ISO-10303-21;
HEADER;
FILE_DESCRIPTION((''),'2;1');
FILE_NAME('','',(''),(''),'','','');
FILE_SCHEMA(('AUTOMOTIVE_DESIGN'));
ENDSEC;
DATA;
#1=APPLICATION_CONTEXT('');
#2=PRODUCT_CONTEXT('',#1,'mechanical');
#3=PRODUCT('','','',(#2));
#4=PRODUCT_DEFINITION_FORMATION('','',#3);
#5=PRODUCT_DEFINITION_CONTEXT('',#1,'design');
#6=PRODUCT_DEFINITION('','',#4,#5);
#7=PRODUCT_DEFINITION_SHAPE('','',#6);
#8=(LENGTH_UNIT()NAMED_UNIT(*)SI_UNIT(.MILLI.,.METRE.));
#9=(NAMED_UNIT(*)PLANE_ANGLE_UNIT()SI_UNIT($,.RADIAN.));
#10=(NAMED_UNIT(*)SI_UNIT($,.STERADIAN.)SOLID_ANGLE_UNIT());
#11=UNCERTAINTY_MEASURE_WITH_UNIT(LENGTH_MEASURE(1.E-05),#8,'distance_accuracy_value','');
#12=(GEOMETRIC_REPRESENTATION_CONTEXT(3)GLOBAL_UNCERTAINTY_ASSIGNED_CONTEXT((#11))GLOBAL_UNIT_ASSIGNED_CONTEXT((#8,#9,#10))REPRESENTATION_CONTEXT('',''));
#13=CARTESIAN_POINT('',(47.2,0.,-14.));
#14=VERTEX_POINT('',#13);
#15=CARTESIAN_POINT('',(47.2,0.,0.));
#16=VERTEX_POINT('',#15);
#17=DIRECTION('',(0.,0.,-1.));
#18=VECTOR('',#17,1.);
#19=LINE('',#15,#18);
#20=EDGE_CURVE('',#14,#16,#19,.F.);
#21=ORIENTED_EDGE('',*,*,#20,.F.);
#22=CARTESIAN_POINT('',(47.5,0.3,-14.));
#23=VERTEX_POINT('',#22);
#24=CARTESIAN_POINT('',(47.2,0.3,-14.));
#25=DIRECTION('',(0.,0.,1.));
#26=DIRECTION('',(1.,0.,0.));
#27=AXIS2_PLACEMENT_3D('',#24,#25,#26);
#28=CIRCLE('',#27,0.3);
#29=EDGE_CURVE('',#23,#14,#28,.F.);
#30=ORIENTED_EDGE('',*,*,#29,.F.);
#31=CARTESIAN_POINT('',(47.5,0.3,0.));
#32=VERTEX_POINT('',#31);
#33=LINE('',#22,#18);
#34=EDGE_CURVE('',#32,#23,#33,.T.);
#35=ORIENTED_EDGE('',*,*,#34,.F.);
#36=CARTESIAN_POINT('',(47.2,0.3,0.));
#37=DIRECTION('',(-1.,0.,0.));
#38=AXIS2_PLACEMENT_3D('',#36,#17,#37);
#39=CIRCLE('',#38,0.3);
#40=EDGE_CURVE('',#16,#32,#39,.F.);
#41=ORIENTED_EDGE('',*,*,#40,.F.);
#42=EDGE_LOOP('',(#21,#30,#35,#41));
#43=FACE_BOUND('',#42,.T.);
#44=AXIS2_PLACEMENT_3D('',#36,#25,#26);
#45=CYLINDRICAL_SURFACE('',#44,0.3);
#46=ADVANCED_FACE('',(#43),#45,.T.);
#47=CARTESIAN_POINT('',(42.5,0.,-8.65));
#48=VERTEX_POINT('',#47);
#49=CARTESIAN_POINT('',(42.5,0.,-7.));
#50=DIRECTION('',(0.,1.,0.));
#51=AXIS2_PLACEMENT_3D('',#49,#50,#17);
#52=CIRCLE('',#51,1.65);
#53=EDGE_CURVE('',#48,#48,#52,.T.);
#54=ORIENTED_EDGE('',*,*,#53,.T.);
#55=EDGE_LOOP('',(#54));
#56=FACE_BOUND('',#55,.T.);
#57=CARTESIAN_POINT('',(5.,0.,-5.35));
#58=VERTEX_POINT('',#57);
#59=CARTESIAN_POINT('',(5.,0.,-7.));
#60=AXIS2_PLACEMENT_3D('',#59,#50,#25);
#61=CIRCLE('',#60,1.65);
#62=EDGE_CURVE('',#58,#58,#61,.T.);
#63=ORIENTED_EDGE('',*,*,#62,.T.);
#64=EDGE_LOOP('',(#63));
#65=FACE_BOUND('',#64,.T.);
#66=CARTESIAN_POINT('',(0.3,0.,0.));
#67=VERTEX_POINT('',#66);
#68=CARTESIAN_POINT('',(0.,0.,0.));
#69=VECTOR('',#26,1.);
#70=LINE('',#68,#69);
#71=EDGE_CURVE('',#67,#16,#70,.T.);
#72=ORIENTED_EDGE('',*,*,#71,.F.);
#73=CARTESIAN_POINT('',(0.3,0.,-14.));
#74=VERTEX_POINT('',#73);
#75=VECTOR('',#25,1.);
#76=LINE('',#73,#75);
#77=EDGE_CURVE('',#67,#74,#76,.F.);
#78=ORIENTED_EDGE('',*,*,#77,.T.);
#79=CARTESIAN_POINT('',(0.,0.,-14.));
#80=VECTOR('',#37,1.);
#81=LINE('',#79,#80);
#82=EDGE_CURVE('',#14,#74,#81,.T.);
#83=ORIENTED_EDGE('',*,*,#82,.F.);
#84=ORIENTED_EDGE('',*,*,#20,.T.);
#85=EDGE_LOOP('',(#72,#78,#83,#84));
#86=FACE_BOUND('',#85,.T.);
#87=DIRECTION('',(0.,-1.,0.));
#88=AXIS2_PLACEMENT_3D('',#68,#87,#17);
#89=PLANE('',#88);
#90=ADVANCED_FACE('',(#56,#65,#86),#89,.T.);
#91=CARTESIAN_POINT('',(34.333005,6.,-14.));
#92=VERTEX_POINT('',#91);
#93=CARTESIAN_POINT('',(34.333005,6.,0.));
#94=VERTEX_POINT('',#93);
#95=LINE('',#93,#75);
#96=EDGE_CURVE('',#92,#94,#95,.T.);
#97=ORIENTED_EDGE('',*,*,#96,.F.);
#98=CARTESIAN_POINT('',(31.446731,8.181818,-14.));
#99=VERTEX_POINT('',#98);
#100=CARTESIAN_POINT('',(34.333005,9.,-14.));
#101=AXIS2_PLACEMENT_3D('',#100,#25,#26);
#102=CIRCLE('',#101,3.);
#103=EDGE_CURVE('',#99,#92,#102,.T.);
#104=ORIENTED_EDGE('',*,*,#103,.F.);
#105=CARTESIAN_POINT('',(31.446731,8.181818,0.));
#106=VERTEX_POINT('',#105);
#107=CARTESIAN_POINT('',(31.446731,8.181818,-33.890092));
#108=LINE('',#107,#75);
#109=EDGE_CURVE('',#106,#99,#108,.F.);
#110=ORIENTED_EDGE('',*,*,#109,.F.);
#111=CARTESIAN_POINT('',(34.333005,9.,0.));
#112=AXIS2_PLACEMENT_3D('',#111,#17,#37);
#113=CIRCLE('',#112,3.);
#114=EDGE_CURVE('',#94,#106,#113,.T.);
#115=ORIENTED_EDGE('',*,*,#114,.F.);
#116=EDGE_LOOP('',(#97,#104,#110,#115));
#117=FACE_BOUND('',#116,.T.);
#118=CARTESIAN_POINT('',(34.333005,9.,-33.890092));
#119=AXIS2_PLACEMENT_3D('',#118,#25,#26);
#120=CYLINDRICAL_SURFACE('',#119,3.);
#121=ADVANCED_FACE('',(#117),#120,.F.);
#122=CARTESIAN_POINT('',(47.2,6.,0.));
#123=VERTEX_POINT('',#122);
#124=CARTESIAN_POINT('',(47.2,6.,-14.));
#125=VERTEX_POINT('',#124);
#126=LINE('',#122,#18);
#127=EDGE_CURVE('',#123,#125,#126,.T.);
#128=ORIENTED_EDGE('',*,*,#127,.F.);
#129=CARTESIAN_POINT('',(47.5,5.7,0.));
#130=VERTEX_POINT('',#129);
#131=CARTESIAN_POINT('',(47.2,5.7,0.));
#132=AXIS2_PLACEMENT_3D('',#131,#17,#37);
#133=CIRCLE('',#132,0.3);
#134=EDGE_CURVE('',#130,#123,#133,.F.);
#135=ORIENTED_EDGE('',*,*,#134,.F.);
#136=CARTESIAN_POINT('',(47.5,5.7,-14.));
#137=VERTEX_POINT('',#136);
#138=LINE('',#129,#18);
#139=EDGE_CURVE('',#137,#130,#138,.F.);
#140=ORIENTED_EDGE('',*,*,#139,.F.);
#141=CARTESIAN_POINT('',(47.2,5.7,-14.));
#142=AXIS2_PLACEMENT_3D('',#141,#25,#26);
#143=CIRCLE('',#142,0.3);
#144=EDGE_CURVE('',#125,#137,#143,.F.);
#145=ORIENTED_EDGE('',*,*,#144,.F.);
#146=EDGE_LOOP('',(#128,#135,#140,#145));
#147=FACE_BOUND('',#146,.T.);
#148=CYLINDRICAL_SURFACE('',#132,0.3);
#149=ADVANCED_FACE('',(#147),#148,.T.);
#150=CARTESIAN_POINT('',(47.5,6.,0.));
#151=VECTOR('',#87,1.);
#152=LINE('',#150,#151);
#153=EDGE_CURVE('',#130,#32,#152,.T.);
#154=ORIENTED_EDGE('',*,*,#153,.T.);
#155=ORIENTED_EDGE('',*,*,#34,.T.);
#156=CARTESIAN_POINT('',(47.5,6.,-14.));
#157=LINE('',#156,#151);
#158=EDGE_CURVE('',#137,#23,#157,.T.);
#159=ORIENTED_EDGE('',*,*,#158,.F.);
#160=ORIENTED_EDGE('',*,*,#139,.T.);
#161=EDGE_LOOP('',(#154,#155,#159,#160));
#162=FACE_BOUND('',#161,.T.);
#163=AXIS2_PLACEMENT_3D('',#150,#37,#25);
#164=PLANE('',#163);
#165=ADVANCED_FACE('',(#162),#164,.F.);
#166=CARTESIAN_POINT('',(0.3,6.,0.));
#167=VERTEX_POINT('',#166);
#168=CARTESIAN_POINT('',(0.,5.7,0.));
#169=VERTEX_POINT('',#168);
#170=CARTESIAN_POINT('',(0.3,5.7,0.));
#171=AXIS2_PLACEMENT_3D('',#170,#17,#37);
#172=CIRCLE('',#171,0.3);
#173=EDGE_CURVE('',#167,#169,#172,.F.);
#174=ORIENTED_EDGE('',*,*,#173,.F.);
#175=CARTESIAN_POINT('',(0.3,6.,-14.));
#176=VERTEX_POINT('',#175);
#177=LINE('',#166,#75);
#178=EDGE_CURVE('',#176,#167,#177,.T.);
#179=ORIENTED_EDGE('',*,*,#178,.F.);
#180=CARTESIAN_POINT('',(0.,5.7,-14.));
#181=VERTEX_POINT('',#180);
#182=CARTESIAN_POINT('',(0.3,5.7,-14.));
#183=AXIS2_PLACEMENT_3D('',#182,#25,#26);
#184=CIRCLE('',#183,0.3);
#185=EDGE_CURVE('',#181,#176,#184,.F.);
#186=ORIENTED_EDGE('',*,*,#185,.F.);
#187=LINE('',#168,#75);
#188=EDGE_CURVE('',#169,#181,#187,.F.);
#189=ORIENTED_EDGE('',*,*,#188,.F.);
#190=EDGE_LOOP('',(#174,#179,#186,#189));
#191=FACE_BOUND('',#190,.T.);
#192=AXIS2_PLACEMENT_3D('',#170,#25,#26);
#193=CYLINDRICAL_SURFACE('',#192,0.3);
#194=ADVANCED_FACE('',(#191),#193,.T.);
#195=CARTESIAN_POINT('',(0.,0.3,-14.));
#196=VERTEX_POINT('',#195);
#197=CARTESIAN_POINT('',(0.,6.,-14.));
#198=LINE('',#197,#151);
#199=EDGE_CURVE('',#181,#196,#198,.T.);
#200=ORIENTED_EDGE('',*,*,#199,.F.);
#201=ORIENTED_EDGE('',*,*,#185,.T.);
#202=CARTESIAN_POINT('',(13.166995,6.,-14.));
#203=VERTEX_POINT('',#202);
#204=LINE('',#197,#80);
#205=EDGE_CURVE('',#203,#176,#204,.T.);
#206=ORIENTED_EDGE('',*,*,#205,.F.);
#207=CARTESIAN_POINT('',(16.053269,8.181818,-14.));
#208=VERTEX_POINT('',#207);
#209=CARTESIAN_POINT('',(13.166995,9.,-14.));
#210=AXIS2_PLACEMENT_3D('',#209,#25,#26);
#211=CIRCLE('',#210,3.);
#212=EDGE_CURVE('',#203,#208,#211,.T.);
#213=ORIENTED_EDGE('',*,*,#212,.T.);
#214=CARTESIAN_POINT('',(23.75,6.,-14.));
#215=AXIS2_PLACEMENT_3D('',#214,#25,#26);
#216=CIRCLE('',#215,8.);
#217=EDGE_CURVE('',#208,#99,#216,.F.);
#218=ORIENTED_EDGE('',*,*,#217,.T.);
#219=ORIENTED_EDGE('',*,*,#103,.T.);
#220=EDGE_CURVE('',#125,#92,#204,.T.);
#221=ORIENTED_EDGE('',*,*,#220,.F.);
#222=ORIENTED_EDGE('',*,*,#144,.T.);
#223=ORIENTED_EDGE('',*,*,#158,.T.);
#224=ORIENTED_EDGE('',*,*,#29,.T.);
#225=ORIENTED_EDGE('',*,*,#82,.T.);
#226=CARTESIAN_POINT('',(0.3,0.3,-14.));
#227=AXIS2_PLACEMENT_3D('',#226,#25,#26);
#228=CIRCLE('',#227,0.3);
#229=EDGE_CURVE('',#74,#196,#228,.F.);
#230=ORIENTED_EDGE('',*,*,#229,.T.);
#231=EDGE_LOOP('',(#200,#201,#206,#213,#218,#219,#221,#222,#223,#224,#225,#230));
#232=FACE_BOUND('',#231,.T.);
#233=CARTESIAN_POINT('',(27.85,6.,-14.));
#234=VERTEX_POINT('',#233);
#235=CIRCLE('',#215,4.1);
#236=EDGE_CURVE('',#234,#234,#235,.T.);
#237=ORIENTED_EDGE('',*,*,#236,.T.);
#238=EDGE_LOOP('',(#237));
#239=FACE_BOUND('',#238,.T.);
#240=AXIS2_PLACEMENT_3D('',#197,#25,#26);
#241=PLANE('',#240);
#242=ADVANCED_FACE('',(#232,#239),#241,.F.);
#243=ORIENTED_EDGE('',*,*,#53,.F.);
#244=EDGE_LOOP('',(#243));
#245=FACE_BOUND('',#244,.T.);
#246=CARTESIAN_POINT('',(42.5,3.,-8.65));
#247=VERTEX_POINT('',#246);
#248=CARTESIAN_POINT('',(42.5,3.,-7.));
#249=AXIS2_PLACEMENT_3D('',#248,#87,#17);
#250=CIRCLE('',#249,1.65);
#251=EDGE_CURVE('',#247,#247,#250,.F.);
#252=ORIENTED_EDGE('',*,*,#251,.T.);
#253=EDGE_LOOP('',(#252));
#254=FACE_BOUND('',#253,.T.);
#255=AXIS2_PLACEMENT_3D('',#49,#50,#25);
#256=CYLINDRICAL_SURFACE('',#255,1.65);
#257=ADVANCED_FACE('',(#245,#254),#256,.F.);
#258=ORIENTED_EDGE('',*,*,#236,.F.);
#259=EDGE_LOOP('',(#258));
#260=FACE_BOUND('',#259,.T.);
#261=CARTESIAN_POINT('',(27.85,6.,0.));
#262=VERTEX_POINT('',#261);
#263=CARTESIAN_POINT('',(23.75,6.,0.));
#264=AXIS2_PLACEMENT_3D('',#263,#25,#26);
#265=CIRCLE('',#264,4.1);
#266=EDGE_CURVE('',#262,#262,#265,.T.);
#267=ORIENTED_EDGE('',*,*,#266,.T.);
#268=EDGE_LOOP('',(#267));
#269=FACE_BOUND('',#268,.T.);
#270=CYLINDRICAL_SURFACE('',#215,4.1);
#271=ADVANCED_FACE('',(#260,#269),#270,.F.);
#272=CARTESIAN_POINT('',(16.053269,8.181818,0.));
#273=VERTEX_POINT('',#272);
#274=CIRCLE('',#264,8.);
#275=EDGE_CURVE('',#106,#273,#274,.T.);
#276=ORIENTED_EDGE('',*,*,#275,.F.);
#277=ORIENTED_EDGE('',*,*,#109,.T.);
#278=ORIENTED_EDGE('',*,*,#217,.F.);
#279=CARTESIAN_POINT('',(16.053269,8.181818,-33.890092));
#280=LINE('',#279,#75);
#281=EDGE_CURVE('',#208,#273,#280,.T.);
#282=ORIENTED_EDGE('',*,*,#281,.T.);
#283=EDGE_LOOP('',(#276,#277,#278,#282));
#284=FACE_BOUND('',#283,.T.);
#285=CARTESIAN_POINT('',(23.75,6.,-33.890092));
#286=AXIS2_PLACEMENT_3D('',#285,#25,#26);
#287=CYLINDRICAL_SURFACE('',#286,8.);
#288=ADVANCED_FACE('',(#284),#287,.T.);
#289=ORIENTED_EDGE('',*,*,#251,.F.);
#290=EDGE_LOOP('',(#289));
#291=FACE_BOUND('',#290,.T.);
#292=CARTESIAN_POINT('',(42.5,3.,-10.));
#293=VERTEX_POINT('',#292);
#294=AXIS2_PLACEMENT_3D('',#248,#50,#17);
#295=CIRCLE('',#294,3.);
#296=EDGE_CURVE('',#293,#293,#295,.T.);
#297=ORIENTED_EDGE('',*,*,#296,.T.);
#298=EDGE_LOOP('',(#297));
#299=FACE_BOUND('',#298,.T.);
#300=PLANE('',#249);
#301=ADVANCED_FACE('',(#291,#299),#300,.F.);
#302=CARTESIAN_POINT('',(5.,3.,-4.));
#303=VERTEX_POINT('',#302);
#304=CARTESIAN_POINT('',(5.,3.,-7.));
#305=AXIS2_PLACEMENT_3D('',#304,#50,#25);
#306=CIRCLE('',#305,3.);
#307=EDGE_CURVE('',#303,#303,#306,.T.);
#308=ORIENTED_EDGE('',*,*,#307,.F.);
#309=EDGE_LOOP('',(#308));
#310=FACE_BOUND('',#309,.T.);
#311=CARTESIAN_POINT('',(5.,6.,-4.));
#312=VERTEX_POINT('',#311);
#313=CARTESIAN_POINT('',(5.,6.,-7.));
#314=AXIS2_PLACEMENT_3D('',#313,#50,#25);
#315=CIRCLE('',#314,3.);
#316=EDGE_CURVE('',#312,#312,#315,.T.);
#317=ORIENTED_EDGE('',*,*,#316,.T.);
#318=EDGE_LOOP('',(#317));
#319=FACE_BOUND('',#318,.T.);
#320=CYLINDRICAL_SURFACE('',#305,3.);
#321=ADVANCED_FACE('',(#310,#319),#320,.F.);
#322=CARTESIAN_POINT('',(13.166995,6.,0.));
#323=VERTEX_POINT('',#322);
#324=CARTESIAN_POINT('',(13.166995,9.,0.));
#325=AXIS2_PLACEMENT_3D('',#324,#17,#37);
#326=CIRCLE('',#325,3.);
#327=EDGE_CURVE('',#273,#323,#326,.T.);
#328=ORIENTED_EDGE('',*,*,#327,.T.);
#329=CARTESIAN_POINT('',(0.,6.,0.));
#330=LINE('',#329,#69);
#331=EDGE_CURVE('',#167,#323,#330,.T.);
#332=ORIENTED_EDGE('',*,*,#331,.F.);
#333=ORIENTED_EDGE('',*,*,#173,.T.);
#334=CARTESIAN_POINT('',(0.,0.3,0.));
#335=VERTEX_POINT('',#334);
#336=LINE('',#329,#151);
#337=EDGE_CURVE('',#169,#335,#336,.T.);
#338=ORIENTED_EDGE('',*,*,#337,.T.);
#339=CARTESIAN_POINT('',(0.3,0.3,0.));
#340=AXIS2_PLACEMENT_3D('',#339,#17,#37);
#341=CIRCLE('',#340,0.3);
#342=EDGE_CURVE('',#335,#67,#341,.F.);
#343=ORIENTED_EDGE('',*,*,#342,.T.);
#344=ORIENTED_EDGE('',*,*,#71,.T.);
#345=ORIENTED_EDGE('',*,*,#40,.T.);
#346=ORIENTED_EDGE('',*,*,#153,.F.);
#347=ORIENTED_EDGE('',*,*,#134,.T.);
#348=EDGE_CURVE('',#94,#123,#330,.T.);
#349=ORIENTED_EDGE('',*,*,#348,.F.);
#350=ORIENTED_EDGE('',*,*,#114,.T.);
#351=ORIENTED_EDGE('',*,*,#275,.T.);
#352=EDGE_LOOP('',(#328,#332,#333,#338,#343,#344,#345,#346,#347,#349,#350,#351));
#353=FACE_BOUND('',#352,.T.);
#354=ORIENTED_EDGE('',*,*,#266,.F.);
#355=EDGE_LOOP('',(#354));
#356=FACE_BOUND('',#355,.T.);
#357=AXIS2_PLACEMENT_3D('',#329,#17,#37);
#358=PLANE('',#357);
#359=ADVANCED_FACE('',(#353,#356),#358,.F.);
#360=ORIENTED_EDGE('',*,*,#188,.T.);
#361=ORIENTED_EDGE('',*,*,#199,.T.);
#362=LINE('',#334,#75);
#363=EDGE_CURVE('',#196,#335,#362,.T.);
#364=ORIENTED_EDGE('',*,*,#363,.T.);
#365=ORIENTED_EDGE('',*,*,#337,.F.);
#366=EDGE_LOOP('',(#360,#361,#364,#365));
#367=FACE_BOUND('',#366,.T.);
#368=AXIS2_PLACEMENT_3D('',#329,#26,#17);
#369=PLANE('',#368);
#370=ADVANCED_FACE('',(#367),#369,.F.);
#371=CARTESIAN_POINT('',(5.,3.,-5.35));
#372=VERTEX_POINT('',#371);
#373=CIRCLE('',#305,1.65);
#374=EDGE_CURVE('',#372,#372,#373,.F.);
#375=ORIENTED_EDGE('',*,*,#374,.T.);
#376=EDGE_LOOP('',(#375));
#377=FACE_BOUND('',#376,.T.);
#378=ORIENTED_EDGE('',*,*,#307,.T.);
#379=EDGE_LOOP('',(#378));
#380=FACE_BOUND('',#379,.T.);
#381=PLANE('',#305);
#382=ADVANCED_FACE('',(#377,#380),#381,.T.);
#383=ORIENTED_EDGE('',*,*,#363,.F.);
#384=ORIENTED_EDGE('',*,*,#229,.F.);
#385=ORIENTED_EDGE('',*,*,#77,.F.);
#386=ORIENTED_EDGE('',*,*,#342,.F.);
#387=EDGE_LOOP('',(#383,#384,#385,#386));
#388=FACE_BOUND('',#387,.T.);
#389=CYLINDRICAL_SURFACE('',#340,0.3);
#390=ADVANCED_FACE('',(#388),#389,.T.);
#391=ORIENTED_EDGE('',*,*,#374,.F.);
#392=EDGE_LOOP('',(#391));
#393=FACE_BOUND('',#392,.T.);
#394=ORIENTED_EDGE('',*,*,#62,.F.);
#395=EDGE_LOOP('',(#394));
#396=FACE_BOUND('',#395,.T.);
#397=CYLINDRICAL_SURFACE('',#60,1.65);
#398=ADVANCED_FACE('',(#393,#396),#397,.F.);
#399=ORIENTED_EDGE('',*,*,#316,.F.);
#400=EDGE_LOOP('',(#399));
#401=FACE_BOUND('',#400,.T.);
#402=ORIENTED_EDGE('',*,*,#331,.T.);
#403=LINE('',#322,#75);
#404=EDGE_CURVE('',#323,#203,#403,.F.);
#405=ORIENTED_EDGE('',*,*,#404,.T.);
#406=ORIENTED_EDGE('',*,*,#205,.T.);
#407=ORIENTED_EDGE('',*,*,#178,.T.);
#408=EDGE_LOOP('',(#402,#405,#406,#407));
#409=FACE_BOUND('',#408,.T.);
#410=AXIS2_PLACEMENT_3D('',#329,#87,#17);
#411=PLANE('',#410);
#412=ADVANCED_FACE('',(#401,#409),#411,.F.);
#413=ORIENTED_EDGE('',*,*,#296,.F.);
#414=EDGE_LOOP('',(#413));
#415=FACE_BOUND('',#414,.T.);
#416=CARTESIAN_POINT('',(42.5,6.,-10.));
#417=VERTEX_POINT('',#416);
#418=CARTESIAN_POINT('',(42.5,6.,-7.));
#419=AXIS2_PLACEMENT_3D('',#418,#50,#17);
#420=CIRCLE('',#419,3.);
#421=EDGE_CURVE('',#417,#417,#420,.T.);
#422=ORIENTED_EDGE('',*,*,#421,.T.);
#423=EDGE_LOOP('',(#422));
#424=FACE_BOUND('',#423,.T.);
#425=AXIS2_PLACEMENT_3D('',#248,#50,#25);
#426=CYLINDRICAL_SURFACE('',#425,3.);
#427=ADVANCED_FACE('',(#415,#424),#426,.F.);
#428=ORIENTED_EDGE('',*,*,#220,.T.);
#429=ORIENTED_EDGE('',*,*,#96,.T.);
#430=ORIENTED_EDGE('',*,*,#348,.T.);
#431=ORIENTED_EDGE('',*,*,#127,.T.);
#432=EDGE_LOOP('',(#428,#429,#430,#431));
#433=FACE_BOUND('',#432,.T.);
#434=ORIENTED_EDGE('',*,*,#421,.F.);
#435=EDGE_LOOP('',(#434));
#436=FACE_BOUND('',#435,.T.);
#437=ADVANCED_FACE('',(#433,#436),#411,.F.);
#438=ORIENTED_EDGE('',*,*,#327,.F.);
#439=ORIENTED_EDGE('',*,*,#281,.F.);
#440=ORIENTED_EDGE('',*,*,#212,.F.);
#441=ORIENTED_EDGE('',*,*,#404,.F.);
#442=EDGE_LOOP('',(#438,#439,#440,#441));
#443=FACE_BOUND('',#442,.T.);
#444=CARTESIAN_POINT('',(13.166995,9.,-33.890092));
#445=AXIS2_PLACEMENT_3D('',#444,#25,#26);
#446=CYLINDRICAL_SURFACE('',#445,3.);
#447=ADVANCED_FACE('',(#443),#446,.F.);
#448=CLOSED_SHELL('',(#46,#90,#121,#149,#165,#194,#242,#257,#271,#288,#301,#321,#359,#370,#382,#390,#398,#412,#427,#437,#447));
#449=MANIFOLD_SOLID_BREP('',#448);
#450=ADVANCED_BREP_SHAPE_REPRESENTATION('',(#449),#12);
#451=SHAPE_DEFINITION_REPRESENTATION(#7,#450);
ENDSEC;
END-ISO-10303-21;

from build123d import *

# Parameters (mm, degrees)
SKETCH1_W           = 47.5
SKETCH1_H           = 14
BOSS_EXTRUDE1_DEPTH = 6
BOSS_EXTRUDE2_DEPTH = 14
SKETCH4_R           = 4.1
CUT_EXTRUDE1_DEPTH  = 52.461150395
SKETCH5_R           = 1.65
CUT_EXTRUDE2_DEPTH  = 51.162236792
SKETCH6_R           = 3
CUT_EXTRUDE3_DEPTH  = 3
FILLET1_R           = 3
FILLET2_R           = 0.3


with BuildPart() as part:
    # Sketch1 → Boss-Extrude1 (new body)
    with BuildSketch(Plane(origin=(0, 0, 0), x_dir=(1, 0, 0), z_dir=(0, 1, 0))):
        with Locations((23.75, 7)):
            Rectangle(SKETCH1_W, SKETCH1_H)
    extrude(amount=BOSS_EXTRUDE1_DEPTH)

    # Sketch3 → Boss-Extrude2 (add)
    with BuildSketch(Plane.XY):
        with BuildLine():
            Line((15.75, 2.184089353), (16.718725156, 2.184089353))
            Line((16.718725156, 2.184089353), (30.781274844, 2.184089353))
            Line((30.781274844, 2.184089353), (31.75, 2.184089353))
            Line((31.75, 2.184089353), (31.75, 6))
            ThreePointArc((31.75, 6), (23.75, 14), (15.75, 6))
            Line((15.75, 6), (15.75, 2.184089353))
        make_face()
    extrude(amount=-BOSS_EXTRUDE2_DEPTH)

    # Sketch4 → Cut-Extrude1 (cut, through all)
    with BuildSketch(Plane.XY):
        with Locations((23.75, 6)):
            Circle(SKETCH4_R)
    extrude(amount=-CUT_EXTRUDE1_DEPTH, mode=Mode.SUBTRACT)

    # Sketch5 → Cut-Extrude2 (cut, through all)
    with BuildSketch(Plane(origin=(0, 6, 0), x_dir=(1, 0, 0), z_dir=(0, 1, 0))):
        with Locations(Location((5, 7, 0), (0, 0, 270))):
            Circle(SKETCH5_R)
        with Locations(Location((42.5, 7, 0), (0, 0, 90))):
            Circle(SKETCH5_R)
    extrude(amount=-CUT_EXTRUDE2_DEPTH, mode=Mode.SUBTRACT)

    # Sketch6 → Cut-Extrude3 (cut)
    with BuildSketch(Plane(origin=(0, 6, 0), x_dir=(1, 0, 0), z_dir=(0, 1, 0))):
        with Locations(Location((5, 7, 0), (0, 0, 270))):
            Circle(SKETCH6_R)
        with Locations(Location((42.5, 7, 0), (0, 0, 90))):
            Circle(SKETCH6_R)
    extrude(amount=-CUT_EXTRUDE3_DEPTH, mode=Mode.SUBTRACT)

    # Fillet1
    fillet1_edges = [part.edges().sort_by_distance(p)[0] for p in [
        (15.75, 6, -7),
        (31.75, 6, -7),
    ]]
    fillet(fillet1_edges, radius=FILLET1_R)

    # Fillet2
    fillet2_edges = [part.edges().sort_by_distance(p)[0] for p in [
        (47.5, 6, -7),
        (0, 6, -7),
        (47.5, 0, -7),
        (0, 0, -7),
    ]]
    fillet(fillet2_edges, radius=FILLET2_R)


solid = part.part
